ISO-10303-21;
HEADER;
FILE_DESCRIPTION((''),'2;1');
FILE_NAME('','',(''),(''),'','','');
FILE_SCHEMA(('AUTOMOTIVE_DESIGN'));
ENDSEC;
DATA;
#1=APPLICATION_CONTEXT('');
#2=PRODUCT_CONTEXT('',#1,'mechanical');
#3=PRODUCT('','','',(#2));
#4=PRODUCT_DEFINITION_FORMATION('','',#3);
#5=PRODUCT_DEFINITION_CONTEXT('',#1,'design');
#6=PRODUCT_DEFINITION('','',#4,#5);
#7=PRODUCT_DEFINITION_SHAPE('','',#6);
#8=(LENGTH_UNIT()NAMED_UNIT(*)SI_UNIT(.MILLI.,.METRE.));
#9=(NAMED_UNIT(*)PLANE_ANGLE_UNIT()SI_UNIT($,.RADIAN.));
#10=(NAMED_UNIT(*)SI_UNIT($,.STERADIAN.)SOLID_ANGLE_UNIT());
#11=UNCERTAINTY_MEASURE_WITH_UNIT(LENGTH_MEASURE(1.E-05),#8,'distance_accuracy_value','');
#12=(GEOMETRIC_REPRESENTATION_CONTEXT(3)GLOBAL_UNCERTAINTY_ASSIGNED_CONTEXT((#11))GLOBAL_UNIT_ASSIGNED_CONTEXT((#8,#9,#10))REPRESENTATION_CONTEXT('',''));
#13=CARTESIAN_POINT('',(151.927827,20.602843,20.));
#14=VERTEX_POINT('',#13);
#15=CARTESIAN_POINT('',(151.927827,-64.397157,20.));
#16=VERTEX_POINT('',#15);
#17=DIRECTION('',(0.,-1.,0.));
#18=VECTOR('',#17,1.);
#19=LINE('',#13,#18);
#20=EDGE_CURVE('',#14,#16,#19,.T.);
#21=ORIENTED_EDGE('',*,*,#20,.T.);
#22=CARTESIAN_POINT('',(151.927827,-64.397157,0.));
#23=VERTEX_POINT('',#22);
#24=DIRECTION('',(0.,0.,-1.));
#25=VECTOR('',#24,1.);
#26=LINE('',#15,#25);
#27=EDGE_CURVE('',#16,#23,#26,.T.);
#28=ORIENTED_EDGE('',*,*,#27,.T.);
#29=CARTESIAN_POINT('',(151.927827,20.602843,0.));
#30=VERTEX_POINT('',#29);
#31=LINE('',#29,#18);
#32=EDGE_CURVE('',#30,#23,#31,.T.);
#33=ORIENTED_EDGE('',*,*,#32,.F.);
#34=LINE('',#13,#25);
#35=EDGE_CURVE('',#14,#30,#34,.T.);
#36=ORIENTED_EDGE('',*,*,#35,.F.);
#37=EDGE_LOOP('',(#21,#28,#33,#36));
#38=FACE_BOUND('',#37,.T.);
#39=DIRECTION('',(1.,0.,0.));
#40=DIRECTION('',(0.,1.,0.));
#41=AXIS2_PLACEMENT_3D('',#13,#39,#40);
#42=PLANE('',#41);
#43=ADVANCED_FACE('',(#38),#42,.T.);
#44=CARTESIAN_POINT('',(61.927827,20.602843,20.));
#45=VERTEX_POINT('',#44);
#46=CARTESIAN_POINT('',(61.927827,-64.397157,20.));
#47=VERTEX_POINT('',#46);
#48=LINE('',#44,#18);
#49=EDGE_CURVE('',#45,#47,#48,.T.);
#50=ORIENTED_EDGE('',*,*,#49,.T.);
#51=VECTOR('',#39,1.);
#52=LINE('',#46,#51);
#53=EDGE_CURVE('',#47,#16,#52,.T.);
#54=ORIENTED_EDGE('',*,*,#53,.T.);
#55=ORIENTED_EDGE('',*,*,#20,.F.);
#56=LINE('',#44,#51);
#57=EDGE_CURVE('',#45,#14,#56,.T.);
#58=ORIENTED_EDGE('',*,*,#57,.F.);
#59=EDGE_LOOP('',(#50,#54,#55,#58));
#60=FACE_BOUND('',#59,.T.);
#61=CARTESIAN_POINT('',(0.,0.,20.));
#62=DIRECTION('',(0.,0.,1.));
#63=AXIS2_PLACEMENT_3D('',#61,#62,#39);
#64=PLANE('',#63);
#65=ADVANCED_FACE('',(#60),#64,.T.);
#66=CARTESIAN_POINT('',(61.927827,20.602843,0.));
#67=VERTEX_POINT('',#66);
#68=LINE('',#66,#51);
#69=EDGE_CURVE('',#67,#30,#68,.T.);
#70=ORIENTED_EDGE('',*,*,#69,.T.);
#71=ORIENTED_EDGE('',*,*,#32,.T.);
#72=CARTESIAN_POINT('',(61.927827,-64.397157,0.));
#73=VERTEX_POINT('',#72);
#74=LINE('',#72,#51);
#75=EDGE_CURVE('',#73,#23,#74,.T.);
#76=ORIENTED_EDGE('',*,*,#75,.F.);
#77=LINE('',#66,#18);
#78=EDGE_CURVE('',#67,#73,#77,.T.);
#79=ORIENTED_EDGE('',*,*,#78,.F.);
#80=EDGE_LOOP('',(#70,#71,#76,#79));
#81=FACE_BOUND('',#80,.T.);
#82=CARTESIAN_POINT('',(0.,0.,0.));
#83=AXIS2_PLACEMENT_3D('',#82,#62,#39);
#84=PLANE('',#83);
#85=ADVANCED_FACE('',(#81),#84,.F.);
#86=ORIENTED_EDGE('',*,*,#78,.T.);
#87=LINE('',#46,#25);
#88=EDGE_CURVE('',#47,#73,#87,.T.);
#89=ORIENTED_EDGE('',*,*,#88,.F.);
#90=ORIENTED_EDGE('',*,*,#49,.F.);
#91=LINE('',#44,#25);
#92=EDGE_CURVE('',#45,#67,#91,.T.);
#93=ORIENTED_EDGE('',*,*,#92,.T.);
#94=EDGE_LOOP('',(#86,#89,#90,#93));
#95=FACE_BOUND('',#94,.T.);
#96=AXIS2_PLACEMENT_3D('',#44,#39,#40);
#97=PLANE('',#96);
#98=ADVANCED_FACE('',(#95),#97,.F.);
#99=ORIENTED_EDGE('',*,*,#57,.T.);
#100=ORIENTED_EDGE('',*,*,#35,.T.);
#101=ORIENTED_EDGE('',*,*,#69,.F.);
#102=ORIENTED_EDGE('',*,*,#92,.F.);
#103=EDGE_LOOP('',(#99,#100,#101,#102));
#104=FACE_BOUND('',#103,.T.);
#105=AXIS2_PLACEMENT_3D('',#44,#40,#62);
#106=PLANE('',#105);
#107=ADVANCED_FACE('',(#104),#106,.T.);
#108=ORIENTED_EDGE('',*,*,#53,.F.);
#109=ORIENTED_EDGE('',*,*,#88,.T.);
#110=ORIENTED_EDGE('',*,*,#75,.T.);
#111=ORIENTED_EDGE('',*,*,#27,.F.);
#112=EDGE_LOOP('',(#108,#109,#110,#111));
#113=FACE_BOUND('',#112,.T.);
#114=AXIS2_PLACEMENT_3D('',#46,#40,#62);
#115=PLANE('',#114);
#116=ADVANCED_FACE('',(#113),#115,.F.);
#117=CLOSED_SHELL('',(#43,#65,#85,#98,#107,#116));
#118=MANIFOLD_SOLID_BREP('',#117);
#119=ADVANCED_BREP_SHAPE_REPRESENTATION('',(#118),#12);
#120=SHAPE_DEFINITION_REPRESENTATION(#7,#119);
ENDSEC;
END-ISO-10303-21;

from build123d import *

# Parameters (mm, degrees)
SKETCH1_W           = 90
SKETCH1_H           = 85
BOSS_EXTRUDE1_DEPTH = 20


with BuildPart() as part:
    # Sketch1 → Boss-Extrude1 (new body)
    with BuildSketch(Plane.XY):
        with Locations((106.927827201, -21.89715693)):
            Rectangle(SKETCH1_W, SKETCH1_H)
    extrude(amount=BOSS_EXTRUDE1_DEPTH)


solid = part.part
